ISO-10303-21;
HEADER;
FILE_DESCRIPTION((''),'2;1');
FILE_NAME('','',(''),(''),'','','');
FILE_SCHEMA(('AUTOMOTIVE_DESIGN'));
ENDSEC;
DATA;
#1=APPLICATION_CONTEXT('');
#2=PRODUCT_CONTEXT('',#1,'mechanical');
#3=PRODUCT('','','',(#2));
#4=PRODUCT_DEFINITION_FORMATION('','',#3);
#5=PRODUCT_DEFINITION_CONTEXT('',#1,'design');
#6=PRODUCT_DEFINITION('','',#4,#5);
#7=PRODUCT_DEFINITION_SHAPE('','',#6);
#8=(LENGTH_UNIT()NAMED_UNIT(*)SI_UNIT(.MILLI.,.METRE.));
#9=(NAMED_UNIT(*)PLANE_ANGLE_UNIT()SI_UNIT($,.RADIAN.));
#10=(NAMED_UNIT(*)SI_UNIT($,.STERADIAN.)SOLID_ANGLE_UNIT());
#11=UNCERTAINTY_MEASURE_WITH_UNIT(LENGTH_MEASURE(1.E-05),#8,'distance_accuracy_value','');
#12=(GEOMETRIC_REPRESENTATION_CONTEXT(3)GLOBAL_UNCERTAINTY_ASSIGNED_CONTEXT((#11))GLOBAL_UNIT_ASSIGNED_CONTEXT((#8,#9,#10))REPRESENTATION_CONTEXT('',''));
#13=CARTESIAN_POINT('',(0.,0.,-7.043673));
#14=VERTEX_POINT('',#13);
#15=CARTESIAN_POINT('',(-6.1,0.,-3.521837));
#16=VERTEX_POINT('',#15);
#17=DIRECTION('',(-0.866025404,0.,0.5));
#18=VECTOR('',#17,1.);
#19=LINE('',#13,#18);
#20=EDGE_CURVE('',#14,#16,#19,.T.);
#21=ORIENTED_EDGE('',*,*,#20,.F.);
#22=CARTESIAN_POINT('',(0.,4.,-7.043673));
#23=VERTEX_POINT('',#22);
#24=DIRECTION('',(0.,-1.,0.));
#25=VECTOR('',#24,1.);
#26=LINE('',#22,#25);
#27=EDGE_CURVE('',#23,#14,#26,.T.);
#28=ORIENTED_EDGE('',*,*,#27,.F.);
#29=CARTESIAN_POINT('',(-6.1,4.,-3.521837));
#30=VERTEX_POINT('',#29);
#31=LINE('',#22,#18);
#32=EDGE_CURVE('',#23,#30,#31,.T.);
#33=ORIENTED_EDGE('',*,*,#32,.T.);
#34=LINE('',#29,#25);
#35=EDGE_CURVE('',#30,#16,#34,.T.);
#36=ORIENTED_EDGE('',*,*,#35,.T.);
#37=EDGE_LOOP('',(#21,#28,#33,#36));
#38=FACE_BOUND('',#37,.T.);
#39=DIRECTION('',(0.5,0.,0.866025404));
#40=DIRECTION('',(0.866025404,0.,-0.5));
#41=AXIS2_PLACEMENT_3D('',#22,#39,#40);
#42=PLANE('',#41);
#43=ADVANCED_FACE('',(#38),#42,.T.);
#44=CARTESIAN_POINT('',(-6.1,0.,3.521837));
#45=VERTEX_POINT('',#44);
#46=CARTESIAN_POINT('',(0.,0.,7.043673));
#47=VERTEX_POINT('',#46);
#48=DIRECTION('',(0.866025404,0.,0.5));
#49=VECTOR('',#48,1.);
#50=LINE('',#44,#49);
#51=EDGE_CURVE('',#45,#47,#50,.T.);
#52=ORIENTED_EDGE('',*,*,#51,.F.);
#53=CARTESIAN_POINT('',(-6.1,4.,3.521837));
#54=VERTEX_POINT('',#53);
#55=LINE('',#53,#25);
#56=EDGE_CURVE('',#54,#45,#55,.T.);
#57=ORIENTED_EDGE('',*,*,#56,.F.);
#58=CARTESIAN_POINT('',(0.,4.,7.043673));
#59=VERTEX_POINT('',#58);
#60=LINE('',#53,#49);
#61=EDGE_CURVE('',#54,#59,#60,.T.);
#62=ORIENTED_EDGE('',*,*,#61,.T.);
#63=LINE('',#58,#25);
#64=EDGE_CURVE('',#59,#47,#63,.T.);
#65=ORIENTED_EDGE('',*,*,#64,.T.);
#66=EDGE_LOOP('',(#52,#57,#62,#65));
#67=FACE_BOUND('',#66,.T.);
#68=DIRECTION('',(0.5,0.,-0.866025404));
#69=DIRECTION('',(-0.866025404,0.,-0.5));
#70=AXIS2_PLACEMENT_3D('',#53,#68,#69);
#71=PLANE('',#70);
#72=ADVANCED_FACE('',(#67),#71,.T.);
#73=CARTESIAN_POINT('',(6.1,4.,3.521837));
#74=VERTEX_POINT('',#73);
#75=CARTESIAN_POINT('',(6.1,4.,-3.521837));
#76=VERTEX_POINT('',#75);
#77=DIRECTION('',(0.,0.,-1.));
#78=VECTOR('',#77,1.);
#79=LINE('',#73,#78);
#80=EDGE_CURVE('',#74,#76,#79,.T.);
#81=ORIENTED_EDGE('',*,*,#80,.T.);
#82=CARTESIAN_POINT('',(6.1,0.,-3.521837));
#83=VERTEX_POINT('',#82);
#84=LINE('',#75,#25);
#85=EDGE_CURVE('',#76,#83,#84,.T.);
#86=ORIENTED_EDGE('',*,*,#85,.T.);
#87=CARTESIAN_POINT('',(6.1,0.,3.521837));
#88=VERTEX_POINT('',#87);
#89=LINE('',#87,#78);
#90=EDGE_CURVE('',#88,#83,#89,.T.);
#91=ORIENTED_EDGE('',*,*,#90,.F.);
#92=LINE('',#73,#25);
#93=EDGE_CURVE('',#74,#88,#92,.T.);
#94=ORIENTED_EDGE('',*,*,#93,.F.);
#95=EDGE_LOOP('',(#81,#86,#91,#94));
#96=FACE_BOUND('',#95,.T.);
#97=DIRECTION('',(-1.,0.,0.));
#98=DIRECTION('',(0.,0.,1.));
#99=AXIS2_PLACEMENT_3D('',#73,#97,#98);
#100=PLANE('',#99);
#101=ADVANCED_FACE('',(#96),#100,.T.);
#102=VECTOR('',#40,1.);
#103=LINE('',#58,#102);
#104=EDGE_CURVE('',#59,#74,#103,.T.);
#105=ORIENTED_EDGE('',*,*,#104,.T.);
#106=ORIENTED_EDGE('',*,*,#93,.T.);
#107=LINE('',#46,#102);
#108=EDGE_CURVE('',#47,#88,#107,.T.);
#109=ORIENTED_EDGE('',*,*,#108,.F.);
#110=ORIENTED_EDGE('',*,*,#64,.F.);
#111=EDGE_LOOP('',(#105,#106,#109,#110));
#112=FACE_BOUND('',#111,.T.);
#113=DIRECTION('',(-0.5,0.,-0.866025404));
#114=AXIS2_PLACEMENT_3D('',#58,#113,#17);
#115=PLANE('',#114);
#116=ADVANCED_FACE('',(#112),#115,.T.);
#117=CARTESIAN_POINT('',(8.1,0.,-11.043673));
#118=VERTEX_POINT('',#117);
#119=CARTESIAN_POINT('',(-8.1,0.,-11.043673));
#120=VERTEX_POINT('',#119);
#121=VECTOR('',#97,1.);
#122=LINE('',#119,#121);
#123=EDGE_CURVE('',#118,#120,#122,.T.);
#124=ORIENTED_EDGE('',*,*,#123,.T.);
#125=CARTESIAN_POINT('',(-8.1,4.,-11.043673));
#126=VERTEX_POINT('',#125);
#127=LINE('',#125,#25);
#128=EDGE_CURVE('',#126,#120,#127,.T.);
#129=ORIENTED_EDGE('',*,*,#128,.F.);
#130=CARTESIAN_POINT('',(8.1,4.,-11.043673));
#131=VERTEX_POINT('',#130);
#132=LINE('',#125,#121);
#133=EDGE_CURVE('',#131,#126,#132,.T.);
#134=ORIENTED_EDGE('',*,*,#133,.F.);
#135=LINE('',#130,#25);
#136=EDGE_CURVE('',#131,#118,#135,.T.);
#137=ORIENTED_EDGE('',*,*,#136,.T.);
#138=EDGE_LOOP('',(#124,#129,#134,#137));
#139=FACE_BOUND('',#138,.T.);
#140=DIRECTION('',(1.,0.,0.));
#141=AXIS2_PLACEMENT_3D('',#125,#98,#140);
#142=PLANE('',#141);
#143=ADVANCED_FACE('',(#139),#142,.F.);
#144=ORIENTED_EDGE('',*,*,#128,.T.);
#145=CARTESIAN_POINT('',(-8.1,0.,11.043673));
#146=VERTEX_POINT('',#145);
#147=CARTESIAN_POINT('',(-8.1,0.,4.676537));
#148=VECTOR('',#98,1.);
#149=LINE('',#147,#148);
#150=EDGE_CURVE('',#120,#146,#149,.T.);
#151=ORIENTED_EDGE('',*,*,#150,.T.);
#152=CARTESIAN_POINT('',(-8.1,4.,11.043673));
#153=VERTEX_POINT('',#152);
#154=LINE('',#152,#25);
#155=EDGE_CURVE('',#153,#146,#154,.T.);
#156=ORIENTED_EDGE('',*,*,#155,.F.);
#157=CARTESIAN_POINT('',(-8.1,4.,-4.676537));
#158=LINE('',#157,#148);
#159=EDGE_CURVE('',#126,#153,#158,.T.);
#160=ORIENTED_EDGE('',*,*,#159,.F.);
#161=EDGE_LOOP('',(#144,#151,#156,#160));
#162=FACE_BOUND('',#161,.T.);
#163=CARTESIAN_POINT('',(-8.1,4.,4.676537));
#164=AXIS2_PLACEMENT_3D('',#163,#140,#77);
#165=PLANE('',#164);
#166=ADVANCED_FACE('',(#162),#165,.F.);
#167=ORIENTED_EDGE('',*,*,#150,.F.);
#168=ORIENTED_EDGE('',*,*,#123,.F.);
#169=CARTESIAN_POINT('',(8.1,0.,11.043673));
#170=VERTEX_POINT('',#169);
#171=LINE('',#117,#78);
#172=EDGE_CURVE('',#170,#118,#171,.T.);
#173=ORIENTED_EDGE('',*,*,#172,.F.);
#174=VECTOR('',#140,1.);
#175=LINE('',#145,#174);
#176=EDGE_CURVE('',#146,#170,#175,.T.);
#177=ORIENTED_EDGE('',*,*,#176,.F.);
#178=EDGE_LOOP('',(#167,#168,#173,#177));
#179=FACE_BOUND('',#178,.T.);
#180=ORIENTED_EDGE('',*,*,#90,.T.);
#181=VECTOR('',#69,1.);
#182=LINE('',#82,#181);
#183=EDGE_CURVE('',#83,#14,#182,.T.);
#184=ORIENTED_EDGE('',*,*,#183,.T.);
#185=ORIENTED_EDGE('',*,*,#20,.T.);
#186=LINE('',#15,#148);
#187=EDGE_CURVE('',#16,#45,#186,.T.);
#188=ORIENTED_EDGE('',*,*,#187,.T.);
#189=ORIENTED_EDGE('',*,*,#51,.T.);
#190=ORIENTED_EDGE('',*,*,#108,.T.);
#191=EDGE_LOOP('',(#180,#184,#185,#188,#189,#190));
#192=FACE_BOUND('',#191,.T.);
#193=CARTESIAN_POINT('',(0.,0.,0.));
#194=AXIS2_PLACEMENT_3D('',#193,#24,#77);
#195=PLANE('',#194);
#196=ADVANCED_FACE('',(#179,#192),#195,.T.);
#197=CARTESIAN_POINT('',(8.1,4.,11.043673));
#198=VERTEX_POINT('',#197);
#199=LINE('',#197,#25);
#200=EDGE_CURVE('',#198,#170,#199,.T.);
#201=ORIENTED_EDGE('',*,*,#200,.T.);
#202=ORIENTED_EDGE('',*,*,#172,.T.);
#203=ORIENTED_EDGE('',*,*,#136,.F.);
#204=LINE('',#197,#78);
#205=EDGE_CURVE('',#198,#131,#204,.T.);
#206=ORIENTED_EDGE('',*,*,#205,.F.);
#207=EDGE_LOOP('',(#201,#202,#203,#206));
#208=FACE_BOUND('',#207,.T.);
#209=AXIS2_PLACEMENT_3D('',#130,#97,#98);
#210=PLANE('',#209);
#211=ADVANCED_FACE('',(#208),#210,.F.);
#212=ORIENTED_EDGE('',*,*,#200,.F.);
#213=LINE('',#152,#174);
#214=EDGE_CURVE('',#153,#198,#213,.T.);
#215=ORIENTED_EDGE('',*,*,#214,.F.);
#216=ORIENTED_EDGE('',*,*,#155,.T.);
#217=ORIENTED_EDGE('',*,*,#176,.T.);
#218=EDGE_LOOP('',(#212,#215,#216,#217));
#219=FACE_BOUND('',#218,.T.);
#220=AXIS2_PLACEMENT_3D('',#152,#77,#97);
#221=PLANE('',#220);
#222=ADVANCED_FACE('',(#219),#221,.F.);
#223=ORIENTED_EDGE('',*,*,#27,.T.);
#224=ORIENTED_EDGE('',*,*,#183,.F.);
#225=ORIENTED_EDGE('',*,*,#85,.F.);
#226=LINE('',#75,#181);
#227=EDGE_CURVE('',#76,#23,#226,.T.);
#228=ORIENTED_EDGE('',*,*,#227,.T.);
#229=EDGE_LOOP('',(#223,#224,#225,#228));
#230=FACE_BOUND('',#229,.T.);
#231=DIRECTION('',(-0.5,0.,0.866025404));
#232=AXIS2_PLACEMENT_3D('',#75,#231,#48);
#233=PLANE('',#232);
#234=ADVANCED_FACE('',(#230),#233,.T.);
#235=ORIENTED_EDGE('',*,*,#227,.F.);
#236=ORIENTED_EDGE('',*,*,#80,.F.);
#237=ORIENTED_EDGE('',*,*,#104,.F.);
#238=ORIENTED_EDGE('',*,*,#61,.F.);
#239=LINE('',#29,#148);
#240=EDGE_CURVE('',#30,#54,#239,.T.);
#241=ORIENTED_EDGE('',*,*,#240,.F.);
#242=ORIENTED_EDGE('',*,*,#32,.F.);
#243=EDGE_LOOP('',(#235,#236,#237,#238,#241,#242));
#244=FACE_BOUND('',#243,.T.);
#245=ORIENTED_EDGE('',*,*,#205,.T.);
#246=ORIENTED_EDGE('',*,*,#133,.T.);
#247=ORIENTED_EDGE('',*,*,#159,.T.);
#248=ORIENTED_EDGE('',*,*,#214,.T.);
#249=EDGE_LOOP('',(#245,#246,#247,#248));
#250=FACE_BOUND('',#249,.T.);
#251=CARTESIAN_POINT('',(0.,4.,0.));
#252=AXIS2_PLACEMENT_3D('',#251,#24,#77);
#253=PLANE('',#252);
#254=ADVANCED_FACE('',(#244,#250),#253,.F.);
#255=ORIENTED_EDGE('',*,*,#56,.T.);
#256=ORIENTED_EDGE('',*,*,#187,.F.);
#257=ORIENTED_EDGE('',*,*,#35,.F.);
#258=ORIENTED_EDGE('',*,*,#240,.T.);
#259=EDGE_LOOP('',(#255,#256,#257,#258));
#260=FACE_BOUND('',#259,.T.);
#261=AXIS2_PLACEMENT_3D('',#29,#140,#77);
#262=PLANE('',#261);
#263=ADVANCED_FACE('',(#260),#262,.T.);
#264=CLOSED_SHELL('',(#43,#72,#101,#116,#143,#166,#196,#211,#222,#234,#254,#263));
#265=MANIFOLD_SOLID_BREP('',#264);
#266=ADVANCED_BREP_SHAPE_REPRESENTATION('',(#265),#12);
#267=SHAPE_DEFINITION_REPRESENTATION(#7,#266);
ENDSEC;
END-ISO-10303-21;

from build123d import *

# Parameters (mm, degrees)
EXTRUDE_1_DEPTH = 4


with BuildPart() as part:
    # 草图1 → 凸台-拉伸1 (new body)
    with BuildSketch(Plane(origin=(0, 0, 0), x_dir=(1, 0, 0), z_dir=(0, 1, 0))):
        Polygon((-8.1, 4.67653718), (-8.1, -4.67653718), (-8.1, -11.043673284), (8.1, -11.043673284), (8.1, -4.67653718), (8.1, 4.67653718), (8.1, 11.043673284), (-8.1, 11.043673284), align=None)
        Polygon((0, 7.043673284), (-6.1, 3.521836642), (-6.1, -3.521836642), (0, -7.043673284), (6.1, -3.521836642), (6.1, 3.521836642), align=None, mode=Mode.SUBTRACT)
    extrude(amount=EXTRUDE_1_DEPTH)


solid = part.part
